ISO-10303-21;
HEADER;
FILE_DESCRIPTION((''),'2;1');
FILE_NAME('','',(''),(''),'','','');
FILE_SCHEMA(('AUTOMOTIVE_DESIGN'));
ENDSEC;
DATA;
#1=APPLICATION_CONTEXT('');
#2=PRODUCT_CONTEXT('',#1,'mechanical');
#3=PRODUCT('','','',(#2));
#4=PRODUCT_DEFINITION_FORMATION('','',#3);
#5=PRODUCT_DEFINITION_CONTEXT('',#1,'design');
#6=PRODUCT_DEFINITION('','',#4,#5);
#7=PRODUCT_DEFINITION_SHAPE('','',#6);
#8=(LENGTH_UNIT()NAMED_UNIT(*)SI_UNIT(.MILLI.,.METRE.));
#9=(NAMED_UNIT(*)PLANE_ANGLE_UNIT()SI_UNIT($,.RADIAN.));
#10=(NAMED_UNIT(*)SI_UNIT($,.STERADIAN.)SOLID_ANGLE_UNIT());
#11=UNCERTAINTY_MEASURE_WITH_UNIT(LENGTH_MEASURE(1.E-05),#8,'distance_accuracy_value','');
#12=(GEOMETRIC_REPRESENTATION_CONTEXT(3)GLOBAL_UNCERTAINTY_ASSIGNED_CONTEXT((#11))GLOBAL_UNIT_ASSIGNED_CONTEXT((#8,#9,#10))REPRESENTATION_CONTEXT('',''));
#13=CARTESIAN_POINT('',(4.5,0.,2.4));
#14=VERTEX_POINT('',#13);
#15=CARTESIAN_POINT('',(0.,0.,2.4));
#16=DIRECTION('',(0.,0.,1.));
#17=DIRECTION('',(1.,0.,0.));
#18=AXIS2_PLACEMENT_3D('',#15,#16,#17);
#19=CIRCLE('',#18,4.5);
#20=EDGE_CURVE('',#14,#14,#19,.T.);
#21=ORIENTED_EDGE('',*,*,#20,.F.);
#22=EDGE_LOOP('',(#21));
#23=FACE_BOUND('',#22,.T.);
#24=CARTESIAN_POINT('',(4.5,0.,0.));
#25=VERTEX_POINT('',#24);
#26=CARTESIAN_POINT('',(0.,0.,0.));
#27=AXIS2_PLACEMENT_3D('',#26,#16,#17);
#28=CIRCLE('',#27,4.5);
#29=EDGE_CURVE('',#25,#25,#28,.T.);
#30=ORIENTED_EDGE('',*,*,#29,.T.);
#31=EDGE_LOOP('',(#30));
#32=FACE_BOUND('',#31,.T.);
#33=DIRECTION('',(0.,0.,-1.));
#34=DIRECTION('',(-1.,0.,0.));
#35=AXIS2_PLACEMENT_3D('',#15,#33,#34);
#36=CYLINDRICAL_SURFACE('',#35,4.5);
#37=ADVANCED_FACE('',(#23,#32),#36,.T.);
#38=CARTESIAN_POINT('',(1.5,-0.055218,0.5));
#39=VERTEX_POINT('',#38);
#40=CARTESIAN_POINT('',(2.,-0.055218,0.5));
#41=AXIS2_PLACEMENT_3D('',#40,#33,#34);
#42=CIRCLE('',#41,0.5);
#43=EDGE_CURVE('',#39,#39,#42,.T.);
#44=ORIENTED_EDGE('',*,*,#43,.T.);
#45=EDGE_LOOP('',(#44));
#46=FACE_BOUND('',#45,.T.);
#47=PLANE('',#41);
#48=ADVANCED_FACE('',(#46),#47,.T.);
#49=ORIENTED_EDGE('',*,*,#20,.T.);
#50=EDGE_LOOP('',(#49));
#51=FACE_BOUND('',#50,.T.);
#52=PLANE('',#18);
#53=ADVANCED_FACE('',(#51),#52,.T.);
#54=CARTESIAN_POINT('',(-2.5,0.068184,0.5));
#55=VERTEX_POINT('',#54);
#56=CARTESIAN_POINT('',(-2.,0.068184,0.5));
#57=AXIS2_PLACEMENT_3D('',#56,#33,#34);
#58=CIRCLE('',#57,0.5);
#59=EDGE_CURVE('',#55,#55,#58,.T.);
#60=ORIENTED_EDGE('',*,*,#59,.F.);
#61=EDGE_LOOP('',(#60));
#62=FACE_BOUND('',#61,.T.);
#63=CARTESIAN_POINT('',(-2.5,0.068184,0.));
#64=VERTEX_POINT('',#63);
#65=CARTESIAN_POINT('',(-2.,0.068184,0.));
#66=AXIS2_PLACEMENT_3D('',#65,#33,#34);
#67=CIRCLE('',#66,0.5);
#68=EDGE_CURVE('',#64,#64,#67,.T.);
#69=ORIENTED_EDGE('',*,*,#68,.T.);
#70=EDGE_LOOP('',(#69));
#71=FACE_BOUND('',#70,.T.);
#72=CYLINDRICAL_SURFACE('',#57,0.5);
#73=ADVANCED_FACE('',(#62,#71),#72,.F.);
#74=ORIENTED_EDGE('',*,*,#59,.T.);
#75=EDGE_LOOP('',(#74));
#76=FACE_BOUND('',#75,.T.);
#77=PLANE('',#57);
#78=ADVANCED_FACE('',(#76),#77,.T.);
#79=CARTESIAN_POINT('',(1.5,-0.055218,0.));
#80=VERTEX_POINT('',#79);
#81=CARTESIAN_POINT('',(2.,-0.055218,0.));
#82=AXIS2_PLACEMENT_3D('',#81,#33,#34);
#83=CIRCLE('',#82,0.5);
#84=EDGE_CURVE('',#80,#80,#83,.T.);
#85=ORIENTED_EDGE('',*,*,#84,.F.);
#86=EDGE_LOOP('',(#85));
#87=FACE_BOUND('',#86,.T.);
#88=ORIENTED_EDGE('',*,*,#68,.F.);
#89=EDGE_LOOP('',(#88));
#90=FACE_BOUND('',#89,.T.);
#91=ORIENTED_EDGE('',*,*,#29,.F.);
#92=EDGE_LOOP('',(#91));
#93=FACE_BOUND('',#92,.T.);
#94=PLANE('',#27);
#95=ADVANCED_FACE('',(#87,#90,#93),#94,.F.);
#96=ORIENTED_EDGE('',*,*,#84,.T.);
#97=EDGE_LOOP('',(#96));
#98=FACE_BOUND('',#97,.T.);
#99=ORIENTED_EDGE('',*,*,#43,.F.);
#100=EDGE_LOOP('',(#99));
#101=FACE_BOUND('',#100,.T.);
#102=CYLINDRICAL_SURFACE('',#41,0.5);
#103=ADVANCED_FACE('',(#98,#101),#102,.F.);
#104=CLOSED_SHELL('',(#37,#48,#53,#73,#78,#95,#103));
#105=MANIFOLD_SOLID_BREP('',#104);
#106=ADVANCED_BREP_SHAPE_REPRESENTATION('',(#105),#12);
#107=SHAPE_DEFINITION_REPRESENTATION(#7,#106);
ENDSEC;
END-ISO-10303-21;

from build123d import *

# Parameters (mm, degrees)
SKETCH1_R           = 4.5
BOSS_EXTRUDE1_DEPTH = 2.4
SKETCH2_R           = 0.5
CUT_EXTRUDE1_DEPTH  = 0.5


with BuildPart() as part:
    # Sketch1 → Boss-Extrude1 (new body)
    with BuildSketch(Plane.XY):
        Circle(SKETCH1_R)
    extrude(amount=BOSS_EXTRUDE1_DEPTH)

    # Sketch2 → Cut-Extrude1 (cut)
    with BuildSketch(Plane(origin=(0, 0, 0), x_dir=(-1, 0, 0), z_dir=(0, 0, -1))):
        with Locations((2, 0.068183801)):
            Circle(SKETCH2_R)
        with Locations((-2, -0.055218249)):
            Circle(SKETCH2_R)
    extrude(amount=-CUT_EXTRUDE1_DEPTH, mode=Mode.SUBTRACT)


solid = part.part
